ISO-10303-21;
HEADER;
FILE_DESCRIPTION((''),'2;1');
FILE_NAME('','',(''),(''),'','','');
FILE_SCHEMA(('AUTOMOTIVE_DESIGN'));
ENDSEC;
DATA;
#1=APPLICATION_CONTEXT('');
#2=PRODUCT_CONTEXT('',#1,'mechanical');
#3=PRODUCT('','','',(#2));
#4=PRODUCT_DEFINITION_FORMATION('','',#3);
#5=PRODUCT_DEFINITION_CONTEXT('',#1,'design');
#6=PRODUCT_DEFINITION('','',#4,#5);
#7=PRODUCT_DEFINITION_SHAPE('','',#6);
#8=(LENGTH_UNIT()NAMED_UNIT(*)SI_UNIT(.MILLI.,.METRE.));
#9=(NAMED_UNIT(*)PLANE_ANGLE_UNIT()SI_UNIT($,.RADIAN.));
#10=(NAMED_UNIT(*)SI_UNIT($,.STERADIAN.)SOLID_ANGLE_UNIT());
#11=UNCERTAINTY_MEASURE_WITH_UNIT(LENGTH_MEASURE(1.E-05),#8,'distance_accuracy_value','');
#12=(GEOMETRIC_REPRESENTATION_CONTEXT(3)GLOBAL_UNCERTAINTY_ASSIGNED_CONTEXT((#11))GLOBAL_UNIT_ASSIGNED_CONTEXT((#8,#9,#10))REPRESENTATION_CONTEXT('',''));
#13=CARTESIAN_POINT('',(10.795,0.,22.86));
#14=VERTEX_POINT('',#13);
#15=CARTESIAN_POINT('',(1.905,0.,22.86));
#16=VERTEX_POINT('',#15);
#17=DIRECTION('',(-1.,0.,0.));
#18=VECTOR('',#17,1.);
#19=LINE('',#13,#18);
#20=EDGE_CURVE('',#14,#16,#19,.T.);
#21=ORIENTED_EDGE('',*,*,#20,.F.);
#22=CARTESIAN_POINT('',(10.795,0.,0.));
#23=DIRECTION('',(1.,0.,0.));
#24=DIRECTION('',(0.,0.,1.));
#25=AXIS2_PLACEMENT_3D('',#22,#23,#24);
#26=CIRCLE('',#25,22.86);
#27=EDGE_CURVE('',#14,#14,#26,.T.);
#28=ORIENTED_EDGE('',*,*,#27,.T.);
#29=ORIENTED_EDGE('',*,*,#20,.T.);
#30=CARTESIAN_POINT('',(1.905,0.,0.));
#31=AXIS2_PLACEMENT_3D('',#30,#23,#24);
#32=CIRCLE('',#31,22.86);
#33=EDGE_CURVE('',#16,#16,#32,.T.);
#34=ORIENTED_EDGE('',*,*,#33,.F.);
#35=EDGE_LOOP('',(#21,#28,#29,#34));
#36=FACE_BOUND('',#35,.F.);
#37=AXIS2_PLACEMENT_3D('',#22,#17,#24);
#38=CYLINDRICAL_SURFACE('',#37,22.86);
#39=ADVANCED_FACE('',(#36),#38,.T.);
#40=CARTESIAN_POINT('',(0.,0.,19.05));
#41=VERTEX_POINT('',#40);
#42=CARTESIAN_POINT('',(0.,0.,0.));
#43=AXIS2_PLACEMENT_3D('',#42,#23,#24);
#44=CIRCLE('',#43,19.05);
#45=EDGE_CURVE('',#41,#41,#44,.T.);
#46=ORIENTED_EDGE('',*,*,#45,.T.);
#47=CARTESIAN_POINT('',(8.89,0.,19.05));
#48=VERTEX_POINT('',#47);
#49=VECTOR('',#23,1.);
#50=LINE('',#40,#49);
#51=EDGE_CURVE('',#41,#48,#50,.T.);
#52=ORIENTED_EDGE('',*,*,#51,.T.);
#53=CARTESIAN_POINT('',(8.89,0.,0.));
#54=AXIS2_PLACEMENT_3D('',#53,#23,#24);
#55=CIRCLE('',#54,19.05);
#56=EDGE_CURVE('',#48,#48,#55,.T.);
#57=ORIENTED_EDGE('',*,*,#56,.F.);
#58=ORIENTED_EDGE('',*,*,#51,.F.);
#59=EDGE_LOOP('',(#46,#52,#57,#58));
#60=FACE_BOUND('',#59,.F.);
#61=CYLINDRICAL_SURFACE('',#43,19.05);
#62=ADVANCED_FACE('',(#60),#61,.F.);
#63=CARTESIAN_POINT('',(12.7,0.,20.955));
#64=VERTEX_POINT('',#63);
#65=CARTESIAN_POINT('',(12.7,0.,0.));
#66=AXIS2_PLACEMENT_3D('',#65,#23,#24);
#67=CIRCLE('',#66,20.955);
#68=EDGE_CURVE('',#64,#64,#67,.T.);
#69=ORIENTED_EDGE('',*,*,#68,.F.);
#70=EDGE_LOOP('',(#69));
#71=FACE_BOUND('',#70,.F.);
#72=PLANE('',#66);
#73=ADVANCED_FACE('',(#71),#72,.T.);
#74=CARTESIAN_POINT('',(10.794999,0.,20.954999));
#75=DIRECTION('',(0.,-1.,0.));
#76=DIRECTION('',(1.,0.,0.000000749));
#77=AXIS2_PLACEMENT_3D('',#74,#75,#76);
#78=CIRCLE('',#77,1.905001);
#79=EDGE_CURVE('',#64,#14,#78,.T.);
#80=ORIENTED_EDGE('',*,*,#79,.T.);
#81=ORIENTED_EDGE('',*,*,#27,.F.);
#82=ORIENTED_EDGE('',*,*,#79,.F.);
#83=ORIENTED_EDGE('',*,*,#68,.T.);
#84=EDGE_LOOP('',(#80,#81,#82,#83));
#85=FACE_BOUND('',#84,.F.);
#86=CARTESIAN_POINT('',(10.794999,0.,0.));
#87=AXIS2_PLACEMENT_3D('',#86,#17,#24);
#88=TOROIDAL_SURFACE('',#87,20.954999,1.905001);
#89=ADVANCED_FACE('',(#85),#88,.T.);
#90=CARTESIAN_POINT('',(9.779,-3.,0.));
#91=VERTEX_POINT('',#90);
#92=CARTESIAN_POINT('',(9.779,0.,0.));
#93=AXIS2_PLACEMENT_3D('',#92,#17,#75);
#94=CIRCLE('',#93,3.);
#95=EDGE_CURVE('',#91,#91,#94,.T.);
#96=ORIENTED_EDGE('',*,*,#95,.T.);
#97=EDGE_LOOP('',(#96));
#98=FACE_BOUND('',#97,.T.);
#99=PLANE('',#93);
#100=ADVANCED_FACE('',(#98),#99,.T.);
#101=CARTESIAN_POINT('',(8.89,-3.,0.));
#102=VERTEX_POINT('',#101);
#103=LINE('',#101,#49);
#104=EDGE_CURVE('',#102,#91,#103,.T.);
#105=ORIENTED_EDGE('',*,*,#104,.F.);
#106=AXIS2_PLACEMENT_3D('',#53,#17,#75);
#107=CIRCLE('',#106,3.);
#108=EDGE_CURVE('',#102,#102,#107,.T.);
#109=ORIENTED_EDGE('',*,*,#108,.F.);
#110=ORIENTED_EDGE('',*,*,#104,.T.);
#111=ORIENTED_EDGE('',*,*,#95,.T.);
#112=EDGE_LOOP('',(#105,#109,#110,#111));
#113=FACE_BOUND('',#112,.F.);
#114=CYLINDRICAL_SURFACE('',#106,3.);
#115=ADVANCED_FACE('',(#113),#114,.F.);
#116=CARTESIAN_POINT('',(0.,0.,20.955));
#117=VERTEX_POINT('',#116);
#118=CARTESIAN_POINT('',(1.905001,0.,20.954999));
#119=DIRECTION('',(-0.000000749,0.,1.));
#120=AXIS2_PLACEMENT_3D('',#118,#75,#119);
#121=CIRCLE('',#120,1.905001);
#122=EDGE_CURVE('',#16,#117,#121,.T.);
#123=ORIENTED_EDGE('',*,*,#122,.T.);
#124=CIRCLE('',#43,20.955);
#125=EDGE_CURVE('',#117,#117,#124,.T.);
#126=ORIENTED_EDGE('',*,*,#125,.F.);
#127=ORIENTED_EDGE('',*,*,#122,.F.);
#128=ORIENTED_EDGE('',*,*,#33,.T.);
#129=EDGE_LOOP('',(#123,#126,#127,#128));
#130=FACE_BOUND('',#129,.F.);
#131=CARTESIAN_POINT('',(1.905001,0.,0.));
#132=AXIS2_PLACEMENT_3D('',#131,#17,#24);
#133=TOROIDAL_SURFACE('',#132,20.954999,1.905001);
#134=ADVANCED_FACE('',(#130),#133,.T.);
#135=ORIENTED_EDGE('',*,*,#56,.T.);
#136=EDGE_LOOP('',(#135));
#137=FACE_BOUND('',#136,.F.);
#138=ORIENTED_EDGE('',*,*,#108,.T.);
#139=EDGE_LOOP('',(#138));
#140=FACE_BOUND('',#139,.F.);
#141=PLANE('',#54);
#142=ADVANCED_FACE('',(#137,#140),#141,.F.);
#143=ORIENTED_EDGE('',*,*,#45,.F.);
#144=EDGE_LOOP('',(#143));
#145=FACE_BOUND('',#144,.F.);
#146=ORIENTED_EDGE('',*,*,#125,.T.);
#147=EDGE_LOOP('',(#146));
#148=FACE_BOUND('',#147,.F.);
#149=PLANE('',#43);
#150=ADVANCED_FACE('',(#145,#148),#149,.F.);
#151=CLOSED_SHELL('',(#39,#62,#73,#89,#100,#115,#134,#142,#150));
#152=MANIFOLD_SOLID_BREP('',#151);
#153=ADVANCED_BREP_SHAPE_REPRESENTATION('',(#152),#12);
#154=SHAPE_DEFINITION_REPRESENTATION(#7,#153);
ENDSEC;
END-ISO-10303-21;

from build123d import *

# Parameters (mm, degrees)
F2_R     = 3
F3_DEPTH = 0.889


with BuildPart() as f1:
    # F0 (on Front) → F1 (revolve)
    with BuildSketch(Plane.XZ):
        with BuildLine():
            Line((0, 20.955), (0, 19.05))
            Line((0, 19.05), (8.89, 19.05))
            Line((8.89, 19.05), (8.89, 0))
            Line((8.89, 0), (12.7, 0))
            Line((12.7, 0), (12.7, 20.955))
            ThreePointArc((12.7, 20.955), (12.142038, 22.302038), (10.795, 22.86))
            Line((10.795, 22.86), (1.905, 22.86))
            ThreePointArc((1.905, 22.86), (0.557962, 22.302038), (0, 20.955))
        make_face()
    revolve(axis=Axis((2.430882, 0, 0), (1, 0, 0)))

    # F2 (on face) → F3 (cut)
    with BuildSketch(Plane(origin=(8.89, 0, 0), x_dir=(0, -1, 0), z_dir=(-1, 0, 0))):
        Circle(F2_R)
    extrude(amount=-F3_DEPTH, mode=Mode.SUBTRACT)


solid = f1.part
